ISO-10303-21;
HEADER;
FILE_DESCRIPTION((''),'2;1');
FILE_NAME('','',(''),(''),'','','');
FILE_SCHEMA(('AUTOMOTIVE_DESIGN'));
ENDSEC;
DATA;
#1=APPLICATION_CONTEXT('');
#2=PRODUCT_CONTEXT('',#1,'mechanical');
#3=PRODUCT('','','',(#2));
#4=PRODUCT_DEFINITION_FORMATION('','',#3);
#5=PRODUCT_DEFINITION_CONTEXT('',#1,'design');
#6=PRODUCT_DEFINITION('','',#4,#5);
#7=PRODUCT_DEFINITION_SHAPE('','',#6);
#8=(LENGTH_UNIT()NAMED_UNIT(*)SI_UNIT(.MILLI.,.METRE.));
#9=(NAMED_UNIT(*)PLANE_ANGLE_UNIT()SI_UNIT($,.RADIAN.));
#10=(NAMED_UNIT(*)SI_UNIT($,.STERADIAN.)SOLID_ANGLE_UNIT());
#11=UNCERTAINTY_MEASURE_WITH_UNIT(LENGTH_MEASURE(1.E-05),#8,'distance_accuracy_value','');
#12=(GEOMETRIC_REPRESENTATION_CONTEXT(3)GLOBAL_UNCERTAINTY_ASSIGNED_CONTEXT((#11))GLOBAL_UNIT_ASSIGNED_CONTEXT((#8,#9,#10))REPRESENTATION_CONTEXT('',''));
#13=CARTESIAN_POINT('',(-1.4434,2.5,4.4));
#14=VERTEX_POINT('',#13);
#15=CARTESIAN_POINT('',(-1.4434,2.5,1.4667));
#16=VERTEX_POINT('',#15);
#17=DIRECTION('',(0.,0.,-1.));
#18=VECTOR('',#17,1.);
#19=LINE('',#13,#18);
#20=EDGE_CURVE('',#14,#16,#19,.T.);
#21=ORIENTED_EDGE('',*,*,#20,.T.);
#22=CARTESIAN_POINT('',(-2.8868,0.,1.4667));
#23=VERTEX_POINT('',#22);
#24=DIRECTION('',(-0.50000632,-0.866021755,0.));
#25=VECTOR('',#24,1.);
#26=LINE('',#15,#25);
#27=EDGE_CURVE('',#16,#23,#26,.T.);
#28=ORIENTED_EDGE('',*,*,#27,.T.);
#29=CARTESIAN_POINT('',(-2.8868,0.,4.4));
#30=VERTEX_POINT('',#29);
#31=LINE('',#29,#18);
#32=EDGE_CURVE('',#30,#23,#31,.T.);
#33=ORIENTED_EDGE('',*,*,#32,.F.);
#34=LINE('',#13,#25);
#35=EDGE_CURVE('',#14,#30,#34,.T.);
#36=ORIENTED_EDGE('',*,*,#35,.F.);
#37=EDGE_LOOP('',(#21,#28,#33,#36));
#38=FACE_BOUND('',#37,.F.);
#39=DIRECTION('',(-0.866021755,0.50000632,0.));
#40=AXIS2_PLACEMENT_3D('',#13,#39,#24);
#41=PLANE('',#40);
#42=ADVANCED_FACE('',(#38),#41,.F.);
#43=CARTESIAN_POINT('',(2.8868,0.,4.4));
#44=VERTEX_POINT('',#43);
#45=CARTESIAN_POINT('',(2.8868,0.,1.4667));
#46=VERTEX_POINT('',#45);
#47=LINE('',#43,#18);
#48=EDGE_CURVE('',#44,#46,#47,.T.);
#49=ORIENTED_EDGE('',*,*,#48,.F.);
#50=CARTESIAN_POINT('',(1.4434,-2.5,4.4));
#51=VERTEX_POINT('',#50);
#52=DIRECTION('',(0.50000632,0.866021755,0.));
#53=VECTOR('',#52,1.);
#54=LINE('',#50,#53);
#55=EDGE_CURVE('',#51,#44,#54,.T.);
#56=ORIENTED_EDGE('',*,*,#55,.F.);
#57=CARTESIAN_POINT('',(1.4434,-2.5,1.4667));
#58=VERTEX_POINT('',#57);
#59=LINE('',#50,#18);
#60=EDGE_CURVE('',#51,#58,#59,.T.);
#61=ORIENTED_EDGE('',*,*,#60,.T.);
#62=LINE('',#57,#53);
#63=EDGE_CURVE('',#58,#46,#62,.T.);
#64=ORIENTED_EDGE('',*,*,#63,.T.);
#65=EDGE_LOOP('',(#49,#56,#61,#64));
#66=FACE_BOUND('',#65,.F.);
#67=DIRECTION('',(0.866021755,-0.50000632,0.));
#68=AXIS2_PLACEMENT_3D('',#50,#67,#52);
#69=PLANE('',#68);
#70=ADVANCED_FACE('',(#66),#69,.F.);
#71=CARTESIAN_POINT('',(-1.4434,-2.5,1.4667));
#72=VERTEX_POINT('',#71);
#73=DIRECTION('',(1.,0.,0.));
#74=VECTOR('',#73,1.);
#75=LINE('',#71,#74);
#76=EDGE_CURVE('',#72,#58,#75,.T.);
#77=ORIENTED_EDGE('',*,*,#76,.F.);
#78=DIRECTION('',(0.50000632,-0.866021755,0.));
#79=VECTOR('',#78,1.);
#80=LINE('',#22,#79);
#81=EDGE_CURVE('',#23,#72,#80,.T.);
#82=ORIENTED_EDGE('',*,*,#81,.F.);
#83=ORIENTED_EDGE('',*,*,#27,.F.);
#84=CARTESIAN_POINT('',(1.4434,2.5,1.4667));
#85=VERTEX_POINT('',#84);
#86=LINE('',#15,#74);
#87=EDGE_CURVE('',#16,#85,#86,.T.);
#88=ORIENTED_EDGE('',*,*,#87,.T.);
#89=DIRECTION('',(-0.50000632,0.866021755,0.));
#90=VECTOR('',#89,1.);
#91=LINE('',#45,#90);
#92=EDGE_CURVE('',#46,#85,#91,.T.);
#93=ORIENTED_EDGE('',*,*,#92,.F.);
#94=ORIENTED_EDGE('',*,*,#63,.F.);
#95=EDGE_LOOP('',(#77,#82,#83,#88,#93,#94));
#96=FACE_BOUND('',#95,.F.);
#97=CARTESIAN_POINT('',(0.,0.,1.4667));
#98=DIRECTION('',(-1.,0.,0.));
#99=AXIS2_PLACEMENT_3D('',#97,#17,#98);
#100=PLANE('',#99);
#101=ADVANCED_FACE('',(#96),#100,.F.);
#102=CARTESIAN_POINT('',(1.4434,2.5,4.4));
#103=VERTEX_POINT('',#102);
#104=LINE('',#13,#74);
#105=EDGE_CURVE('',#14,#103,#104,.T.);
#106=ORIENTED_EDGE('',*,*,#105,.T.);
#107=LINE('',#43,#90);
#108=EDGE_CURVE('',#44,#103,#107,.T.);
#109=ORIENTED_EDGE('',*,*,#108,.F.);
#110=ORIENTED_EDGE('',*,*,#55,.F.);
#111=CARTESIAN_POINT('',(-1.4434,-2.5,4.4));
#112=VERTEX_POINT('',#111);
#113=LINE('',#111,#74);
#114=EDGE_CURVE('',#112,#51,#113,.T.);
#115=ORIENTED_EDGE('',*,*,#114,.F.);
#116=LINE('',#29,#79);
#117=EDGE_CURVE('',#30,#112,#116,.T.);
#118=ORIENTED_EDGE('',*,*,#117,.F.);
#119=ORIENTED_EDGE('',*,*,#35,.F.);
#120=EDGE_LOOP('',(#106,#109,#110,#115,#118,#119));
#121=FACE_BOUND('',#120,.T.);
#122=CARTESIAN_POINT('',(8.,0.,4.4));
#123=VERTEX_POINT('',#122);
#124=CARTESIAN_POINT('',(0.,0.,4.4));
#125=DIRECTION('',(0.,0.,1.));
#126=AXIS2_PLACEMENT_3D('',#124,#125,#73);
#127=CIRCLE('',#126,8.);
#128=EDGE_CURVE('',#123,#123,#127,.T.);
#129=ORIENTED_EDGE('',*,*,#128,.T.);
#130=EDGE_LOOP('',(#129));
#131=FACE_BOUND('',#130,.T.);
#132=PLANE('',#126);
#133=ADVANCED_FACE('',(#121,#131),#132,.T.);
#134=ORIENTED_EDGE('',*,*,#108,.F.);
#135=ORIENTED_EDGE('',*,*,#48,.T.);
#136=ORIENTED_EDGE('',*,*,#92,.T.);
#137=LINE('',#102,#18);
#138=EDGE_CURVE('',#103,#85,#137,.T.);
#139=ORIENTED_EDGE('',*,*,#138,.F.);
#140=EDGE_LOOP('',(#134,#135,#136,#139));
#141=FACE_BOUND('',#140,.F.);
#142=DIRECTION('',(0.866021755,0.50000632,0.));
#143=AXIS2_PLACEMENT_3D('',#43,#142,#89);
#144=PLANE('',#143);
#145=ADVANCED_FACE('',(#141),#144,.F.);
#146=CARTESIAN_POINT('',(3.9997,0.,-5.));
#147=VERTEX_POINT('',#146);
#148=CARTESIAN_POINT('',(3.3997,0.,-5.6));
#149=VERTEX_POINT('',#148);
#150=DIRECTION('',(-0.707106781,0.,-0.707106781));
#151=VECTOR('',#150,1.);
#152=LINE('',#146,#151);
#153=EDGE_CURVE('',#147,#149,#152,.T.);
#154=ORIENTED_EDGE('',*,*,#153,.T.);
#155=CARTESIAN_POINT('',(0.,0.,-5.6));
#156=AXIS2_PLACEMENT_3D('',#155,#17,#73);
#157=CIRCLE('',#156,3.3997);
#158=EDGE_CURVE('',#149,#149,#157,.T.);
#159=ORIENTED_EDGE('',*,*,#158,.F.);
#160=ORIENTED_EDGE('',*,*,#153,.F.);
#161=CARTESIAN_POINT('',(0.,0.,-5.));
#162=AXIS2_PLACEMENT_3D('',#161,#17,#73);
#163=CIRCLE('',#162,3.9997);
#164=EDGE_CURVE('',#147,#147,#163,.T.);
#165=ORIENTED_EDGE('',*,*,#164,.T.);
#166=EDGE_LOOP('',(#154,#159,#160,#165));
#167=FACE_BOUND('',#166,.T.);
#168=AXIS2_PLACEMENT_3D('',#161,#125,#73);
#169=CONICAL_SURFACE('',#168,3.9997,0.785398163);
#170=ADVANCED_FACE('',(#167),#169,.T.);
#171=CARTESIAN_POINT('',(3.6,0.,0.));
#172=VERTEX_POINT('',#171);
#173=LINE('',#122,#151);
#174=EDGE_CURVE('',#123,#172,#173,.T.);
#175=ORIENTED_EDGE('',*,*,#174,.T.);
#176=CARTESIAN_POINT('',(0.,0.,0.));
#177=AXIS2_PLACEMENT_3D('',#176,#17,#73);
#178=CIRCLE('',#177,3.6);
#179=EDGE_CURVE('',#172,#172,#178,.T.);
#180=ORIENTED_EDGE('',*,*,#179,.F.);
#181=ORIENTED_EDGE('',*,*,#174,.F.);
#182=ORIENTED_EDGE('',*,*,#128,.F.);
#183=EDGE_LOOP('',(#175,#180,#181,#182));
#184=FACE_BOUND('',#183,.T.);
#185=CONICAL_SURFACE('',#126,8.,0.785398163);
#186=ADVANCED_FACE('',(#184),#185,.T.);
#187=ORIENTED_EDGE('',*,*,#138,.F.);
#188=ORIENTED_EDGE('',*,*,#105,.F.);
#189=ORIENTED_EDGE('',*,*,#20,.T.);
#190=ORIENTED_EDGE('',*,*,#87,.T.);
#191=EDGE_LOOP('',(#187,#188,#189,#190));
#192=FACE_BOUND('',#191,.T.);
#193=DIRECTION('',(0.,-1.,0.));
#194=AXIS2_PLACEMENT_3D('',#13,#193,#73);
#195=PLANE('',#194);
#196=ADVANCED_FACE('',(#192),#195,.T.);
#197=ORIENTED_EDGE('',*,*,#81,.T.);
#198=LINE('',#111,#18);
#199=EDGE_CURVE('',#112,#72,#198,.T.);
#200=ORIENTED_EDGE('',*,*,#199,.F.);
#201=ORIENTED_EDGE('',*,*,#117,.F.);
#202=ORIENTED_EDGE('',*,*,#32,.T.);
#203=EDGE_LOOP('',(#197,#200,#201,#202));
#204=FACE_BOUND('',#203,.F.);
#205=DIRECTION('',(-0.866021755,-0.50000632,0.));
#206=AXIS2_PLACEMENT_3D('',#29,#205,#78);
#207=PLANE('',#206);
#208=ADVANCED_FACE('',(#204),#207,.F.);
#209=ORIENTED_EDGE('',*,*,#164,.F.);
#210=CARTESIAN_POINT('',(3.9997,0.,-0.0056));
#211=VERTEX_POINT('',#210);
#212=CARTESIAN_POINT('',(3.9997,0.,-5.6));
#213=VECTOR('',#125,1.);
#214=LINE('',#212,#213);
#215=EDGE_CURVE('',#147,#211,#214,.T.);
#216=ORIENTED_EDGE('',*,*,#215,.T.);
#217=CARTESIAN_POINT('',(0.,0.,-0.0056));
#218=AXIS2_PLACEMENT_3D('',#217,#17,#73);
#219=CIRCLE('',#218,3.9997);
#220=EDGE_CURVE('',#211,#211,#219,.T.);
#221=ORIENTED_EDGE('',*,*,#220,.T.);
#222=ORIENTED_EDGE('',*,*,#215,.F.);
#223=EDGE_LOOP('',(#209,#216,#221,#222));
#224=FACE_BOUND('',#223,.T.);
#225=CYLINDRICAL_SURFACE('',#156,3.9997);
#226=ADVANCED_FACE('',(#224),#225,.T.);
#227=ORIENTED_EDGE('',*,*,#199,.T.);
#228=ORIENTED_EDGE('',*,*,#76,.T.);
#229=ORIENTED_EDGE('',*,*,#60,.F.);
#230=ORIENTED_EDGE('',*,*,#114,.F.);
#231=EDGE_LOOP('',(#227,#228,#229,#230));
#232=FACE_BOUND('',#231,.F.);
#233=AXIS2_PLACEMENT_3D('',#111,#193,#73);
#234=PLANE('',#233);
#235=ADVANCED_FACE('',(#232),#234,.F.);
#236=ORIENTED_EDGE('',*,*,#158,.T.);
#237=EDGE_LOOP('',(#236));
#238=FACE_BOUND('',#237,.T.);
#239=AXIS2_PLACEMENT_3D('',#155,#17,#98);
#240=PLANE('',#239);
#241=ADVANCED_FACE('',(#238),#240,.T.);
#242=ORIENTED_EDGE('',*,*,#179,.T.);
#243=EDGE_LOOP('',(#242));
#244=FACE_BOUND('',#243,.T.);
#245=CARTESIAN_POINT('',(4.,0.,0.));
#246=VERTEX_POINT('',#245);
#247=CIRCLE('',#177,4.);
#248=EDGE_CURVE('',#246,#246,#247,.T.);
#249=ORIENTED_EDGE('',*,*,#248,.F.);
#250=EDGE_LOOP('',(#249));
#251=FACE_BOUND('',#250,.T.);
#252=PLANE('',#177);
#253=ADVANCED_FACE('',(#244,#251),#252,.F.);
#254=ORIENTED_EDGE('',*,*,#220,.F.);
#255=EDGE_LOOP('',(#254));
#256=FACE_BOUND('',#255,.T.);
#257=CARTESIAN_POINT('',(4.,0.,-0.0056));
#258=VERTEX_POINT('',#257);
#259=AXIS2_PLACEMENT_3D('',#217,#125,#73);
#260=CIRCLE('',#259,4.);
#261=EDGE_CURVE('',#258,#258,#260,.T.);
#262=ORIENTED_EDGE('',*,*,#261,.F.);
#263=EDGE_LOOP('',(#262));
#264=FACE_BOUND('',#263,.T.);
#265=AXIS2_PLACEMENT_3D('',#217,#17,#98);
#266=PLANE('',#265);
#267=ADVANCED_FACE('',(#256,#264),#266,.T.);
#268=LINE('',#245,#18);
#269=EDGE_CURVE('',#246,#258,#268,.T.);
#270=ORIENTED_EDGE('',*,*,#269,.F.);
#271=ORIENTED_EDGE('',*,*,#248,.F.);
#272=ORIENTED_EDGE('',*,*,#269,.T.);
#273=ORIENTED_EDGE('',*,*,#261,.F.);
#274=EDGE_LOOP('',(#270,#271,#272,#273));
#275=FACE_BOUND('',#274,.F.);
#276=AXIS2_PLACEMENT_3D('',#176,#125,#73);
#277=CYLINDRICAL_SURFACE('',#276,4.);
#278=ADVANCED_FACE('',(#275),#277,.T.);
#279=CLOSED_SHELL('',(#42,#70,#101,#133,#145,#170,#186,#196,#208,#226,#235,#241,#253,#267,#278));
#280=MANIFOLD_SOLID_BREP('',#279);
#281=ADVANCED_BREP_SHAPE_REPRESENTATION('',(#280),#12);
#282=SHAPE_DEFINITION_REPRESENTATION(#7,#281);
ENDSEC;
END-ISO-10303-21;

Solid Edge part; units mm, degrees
sketch "Sketch1" plane through (0, 0, 0) normal (0, 0, 1) x (1, 0, 0)
  circle A0 centre (0, 0) radius 8
  dimension "D1" = 16
extrude "Protrusion1" add sketch "Sketch1" along normal blind 4.4
sketch "Sketch2" plane through (0, 0, 0) normal (0, 0, -1) x (1, 0, 0)
  circle A0 centre (0, 0) radius 4
extrude "Protrusion2" add sketch "Sketch2" along normal blind 5.6
sketch "Sketch3" plane through (0, 0, -5.6) normal (0, 0, -1) x (1, 0, 0)
  circle A0 centre (0, 0) radius 3.9997
extrude "Cutout1" cut sketch "Sketch3" against normal blind 5.5944 flip side to cut
chamfer "Chamfer_1" distance 0.6 angle 45 1 edges at (-3.9997, 0, -5.6)
sketch "Sketch4" plane through (0, 0, 4.4) normal (0, 0, 1) x (1, 0, 0)
  line L0 (-1.4434, 2.5) -> (1.4434, 2.5)
  line L1 (2.8868, 0) -> (1.4434, 2.5)
  line L2 (1.4434, -2.5) -> (2.8868, 0)
  line L3 (-1.4434, -2.5) -> (1.4434, -2.5)
  line L4 (-2.8868, 0) -> (-1.4434, -2.5)
  line L5 (-1.4434, 2.5) -> (-2.8868, 0)
  dimension "D1" = 5
extrude "Cutout2" cut sketch "Sketch4" against normal blind 2.9333
sketch "Sketch5" plane through (0, 0, 0) normal (0, -1, 0) x (1, 0, 0)
  line L0 (8, 4.4) -> (3.6, 0)
  line L1 (3.6, 0) -> (8, 0)
  line L2 (8, 0) -> (8, 4.4)
revolve "RevolvedCutout1" cut sketch "Sketch5" angle 360 about axis through (0, 0, 14.0017) along (0, 0, -1)
properties part number "24103081"
